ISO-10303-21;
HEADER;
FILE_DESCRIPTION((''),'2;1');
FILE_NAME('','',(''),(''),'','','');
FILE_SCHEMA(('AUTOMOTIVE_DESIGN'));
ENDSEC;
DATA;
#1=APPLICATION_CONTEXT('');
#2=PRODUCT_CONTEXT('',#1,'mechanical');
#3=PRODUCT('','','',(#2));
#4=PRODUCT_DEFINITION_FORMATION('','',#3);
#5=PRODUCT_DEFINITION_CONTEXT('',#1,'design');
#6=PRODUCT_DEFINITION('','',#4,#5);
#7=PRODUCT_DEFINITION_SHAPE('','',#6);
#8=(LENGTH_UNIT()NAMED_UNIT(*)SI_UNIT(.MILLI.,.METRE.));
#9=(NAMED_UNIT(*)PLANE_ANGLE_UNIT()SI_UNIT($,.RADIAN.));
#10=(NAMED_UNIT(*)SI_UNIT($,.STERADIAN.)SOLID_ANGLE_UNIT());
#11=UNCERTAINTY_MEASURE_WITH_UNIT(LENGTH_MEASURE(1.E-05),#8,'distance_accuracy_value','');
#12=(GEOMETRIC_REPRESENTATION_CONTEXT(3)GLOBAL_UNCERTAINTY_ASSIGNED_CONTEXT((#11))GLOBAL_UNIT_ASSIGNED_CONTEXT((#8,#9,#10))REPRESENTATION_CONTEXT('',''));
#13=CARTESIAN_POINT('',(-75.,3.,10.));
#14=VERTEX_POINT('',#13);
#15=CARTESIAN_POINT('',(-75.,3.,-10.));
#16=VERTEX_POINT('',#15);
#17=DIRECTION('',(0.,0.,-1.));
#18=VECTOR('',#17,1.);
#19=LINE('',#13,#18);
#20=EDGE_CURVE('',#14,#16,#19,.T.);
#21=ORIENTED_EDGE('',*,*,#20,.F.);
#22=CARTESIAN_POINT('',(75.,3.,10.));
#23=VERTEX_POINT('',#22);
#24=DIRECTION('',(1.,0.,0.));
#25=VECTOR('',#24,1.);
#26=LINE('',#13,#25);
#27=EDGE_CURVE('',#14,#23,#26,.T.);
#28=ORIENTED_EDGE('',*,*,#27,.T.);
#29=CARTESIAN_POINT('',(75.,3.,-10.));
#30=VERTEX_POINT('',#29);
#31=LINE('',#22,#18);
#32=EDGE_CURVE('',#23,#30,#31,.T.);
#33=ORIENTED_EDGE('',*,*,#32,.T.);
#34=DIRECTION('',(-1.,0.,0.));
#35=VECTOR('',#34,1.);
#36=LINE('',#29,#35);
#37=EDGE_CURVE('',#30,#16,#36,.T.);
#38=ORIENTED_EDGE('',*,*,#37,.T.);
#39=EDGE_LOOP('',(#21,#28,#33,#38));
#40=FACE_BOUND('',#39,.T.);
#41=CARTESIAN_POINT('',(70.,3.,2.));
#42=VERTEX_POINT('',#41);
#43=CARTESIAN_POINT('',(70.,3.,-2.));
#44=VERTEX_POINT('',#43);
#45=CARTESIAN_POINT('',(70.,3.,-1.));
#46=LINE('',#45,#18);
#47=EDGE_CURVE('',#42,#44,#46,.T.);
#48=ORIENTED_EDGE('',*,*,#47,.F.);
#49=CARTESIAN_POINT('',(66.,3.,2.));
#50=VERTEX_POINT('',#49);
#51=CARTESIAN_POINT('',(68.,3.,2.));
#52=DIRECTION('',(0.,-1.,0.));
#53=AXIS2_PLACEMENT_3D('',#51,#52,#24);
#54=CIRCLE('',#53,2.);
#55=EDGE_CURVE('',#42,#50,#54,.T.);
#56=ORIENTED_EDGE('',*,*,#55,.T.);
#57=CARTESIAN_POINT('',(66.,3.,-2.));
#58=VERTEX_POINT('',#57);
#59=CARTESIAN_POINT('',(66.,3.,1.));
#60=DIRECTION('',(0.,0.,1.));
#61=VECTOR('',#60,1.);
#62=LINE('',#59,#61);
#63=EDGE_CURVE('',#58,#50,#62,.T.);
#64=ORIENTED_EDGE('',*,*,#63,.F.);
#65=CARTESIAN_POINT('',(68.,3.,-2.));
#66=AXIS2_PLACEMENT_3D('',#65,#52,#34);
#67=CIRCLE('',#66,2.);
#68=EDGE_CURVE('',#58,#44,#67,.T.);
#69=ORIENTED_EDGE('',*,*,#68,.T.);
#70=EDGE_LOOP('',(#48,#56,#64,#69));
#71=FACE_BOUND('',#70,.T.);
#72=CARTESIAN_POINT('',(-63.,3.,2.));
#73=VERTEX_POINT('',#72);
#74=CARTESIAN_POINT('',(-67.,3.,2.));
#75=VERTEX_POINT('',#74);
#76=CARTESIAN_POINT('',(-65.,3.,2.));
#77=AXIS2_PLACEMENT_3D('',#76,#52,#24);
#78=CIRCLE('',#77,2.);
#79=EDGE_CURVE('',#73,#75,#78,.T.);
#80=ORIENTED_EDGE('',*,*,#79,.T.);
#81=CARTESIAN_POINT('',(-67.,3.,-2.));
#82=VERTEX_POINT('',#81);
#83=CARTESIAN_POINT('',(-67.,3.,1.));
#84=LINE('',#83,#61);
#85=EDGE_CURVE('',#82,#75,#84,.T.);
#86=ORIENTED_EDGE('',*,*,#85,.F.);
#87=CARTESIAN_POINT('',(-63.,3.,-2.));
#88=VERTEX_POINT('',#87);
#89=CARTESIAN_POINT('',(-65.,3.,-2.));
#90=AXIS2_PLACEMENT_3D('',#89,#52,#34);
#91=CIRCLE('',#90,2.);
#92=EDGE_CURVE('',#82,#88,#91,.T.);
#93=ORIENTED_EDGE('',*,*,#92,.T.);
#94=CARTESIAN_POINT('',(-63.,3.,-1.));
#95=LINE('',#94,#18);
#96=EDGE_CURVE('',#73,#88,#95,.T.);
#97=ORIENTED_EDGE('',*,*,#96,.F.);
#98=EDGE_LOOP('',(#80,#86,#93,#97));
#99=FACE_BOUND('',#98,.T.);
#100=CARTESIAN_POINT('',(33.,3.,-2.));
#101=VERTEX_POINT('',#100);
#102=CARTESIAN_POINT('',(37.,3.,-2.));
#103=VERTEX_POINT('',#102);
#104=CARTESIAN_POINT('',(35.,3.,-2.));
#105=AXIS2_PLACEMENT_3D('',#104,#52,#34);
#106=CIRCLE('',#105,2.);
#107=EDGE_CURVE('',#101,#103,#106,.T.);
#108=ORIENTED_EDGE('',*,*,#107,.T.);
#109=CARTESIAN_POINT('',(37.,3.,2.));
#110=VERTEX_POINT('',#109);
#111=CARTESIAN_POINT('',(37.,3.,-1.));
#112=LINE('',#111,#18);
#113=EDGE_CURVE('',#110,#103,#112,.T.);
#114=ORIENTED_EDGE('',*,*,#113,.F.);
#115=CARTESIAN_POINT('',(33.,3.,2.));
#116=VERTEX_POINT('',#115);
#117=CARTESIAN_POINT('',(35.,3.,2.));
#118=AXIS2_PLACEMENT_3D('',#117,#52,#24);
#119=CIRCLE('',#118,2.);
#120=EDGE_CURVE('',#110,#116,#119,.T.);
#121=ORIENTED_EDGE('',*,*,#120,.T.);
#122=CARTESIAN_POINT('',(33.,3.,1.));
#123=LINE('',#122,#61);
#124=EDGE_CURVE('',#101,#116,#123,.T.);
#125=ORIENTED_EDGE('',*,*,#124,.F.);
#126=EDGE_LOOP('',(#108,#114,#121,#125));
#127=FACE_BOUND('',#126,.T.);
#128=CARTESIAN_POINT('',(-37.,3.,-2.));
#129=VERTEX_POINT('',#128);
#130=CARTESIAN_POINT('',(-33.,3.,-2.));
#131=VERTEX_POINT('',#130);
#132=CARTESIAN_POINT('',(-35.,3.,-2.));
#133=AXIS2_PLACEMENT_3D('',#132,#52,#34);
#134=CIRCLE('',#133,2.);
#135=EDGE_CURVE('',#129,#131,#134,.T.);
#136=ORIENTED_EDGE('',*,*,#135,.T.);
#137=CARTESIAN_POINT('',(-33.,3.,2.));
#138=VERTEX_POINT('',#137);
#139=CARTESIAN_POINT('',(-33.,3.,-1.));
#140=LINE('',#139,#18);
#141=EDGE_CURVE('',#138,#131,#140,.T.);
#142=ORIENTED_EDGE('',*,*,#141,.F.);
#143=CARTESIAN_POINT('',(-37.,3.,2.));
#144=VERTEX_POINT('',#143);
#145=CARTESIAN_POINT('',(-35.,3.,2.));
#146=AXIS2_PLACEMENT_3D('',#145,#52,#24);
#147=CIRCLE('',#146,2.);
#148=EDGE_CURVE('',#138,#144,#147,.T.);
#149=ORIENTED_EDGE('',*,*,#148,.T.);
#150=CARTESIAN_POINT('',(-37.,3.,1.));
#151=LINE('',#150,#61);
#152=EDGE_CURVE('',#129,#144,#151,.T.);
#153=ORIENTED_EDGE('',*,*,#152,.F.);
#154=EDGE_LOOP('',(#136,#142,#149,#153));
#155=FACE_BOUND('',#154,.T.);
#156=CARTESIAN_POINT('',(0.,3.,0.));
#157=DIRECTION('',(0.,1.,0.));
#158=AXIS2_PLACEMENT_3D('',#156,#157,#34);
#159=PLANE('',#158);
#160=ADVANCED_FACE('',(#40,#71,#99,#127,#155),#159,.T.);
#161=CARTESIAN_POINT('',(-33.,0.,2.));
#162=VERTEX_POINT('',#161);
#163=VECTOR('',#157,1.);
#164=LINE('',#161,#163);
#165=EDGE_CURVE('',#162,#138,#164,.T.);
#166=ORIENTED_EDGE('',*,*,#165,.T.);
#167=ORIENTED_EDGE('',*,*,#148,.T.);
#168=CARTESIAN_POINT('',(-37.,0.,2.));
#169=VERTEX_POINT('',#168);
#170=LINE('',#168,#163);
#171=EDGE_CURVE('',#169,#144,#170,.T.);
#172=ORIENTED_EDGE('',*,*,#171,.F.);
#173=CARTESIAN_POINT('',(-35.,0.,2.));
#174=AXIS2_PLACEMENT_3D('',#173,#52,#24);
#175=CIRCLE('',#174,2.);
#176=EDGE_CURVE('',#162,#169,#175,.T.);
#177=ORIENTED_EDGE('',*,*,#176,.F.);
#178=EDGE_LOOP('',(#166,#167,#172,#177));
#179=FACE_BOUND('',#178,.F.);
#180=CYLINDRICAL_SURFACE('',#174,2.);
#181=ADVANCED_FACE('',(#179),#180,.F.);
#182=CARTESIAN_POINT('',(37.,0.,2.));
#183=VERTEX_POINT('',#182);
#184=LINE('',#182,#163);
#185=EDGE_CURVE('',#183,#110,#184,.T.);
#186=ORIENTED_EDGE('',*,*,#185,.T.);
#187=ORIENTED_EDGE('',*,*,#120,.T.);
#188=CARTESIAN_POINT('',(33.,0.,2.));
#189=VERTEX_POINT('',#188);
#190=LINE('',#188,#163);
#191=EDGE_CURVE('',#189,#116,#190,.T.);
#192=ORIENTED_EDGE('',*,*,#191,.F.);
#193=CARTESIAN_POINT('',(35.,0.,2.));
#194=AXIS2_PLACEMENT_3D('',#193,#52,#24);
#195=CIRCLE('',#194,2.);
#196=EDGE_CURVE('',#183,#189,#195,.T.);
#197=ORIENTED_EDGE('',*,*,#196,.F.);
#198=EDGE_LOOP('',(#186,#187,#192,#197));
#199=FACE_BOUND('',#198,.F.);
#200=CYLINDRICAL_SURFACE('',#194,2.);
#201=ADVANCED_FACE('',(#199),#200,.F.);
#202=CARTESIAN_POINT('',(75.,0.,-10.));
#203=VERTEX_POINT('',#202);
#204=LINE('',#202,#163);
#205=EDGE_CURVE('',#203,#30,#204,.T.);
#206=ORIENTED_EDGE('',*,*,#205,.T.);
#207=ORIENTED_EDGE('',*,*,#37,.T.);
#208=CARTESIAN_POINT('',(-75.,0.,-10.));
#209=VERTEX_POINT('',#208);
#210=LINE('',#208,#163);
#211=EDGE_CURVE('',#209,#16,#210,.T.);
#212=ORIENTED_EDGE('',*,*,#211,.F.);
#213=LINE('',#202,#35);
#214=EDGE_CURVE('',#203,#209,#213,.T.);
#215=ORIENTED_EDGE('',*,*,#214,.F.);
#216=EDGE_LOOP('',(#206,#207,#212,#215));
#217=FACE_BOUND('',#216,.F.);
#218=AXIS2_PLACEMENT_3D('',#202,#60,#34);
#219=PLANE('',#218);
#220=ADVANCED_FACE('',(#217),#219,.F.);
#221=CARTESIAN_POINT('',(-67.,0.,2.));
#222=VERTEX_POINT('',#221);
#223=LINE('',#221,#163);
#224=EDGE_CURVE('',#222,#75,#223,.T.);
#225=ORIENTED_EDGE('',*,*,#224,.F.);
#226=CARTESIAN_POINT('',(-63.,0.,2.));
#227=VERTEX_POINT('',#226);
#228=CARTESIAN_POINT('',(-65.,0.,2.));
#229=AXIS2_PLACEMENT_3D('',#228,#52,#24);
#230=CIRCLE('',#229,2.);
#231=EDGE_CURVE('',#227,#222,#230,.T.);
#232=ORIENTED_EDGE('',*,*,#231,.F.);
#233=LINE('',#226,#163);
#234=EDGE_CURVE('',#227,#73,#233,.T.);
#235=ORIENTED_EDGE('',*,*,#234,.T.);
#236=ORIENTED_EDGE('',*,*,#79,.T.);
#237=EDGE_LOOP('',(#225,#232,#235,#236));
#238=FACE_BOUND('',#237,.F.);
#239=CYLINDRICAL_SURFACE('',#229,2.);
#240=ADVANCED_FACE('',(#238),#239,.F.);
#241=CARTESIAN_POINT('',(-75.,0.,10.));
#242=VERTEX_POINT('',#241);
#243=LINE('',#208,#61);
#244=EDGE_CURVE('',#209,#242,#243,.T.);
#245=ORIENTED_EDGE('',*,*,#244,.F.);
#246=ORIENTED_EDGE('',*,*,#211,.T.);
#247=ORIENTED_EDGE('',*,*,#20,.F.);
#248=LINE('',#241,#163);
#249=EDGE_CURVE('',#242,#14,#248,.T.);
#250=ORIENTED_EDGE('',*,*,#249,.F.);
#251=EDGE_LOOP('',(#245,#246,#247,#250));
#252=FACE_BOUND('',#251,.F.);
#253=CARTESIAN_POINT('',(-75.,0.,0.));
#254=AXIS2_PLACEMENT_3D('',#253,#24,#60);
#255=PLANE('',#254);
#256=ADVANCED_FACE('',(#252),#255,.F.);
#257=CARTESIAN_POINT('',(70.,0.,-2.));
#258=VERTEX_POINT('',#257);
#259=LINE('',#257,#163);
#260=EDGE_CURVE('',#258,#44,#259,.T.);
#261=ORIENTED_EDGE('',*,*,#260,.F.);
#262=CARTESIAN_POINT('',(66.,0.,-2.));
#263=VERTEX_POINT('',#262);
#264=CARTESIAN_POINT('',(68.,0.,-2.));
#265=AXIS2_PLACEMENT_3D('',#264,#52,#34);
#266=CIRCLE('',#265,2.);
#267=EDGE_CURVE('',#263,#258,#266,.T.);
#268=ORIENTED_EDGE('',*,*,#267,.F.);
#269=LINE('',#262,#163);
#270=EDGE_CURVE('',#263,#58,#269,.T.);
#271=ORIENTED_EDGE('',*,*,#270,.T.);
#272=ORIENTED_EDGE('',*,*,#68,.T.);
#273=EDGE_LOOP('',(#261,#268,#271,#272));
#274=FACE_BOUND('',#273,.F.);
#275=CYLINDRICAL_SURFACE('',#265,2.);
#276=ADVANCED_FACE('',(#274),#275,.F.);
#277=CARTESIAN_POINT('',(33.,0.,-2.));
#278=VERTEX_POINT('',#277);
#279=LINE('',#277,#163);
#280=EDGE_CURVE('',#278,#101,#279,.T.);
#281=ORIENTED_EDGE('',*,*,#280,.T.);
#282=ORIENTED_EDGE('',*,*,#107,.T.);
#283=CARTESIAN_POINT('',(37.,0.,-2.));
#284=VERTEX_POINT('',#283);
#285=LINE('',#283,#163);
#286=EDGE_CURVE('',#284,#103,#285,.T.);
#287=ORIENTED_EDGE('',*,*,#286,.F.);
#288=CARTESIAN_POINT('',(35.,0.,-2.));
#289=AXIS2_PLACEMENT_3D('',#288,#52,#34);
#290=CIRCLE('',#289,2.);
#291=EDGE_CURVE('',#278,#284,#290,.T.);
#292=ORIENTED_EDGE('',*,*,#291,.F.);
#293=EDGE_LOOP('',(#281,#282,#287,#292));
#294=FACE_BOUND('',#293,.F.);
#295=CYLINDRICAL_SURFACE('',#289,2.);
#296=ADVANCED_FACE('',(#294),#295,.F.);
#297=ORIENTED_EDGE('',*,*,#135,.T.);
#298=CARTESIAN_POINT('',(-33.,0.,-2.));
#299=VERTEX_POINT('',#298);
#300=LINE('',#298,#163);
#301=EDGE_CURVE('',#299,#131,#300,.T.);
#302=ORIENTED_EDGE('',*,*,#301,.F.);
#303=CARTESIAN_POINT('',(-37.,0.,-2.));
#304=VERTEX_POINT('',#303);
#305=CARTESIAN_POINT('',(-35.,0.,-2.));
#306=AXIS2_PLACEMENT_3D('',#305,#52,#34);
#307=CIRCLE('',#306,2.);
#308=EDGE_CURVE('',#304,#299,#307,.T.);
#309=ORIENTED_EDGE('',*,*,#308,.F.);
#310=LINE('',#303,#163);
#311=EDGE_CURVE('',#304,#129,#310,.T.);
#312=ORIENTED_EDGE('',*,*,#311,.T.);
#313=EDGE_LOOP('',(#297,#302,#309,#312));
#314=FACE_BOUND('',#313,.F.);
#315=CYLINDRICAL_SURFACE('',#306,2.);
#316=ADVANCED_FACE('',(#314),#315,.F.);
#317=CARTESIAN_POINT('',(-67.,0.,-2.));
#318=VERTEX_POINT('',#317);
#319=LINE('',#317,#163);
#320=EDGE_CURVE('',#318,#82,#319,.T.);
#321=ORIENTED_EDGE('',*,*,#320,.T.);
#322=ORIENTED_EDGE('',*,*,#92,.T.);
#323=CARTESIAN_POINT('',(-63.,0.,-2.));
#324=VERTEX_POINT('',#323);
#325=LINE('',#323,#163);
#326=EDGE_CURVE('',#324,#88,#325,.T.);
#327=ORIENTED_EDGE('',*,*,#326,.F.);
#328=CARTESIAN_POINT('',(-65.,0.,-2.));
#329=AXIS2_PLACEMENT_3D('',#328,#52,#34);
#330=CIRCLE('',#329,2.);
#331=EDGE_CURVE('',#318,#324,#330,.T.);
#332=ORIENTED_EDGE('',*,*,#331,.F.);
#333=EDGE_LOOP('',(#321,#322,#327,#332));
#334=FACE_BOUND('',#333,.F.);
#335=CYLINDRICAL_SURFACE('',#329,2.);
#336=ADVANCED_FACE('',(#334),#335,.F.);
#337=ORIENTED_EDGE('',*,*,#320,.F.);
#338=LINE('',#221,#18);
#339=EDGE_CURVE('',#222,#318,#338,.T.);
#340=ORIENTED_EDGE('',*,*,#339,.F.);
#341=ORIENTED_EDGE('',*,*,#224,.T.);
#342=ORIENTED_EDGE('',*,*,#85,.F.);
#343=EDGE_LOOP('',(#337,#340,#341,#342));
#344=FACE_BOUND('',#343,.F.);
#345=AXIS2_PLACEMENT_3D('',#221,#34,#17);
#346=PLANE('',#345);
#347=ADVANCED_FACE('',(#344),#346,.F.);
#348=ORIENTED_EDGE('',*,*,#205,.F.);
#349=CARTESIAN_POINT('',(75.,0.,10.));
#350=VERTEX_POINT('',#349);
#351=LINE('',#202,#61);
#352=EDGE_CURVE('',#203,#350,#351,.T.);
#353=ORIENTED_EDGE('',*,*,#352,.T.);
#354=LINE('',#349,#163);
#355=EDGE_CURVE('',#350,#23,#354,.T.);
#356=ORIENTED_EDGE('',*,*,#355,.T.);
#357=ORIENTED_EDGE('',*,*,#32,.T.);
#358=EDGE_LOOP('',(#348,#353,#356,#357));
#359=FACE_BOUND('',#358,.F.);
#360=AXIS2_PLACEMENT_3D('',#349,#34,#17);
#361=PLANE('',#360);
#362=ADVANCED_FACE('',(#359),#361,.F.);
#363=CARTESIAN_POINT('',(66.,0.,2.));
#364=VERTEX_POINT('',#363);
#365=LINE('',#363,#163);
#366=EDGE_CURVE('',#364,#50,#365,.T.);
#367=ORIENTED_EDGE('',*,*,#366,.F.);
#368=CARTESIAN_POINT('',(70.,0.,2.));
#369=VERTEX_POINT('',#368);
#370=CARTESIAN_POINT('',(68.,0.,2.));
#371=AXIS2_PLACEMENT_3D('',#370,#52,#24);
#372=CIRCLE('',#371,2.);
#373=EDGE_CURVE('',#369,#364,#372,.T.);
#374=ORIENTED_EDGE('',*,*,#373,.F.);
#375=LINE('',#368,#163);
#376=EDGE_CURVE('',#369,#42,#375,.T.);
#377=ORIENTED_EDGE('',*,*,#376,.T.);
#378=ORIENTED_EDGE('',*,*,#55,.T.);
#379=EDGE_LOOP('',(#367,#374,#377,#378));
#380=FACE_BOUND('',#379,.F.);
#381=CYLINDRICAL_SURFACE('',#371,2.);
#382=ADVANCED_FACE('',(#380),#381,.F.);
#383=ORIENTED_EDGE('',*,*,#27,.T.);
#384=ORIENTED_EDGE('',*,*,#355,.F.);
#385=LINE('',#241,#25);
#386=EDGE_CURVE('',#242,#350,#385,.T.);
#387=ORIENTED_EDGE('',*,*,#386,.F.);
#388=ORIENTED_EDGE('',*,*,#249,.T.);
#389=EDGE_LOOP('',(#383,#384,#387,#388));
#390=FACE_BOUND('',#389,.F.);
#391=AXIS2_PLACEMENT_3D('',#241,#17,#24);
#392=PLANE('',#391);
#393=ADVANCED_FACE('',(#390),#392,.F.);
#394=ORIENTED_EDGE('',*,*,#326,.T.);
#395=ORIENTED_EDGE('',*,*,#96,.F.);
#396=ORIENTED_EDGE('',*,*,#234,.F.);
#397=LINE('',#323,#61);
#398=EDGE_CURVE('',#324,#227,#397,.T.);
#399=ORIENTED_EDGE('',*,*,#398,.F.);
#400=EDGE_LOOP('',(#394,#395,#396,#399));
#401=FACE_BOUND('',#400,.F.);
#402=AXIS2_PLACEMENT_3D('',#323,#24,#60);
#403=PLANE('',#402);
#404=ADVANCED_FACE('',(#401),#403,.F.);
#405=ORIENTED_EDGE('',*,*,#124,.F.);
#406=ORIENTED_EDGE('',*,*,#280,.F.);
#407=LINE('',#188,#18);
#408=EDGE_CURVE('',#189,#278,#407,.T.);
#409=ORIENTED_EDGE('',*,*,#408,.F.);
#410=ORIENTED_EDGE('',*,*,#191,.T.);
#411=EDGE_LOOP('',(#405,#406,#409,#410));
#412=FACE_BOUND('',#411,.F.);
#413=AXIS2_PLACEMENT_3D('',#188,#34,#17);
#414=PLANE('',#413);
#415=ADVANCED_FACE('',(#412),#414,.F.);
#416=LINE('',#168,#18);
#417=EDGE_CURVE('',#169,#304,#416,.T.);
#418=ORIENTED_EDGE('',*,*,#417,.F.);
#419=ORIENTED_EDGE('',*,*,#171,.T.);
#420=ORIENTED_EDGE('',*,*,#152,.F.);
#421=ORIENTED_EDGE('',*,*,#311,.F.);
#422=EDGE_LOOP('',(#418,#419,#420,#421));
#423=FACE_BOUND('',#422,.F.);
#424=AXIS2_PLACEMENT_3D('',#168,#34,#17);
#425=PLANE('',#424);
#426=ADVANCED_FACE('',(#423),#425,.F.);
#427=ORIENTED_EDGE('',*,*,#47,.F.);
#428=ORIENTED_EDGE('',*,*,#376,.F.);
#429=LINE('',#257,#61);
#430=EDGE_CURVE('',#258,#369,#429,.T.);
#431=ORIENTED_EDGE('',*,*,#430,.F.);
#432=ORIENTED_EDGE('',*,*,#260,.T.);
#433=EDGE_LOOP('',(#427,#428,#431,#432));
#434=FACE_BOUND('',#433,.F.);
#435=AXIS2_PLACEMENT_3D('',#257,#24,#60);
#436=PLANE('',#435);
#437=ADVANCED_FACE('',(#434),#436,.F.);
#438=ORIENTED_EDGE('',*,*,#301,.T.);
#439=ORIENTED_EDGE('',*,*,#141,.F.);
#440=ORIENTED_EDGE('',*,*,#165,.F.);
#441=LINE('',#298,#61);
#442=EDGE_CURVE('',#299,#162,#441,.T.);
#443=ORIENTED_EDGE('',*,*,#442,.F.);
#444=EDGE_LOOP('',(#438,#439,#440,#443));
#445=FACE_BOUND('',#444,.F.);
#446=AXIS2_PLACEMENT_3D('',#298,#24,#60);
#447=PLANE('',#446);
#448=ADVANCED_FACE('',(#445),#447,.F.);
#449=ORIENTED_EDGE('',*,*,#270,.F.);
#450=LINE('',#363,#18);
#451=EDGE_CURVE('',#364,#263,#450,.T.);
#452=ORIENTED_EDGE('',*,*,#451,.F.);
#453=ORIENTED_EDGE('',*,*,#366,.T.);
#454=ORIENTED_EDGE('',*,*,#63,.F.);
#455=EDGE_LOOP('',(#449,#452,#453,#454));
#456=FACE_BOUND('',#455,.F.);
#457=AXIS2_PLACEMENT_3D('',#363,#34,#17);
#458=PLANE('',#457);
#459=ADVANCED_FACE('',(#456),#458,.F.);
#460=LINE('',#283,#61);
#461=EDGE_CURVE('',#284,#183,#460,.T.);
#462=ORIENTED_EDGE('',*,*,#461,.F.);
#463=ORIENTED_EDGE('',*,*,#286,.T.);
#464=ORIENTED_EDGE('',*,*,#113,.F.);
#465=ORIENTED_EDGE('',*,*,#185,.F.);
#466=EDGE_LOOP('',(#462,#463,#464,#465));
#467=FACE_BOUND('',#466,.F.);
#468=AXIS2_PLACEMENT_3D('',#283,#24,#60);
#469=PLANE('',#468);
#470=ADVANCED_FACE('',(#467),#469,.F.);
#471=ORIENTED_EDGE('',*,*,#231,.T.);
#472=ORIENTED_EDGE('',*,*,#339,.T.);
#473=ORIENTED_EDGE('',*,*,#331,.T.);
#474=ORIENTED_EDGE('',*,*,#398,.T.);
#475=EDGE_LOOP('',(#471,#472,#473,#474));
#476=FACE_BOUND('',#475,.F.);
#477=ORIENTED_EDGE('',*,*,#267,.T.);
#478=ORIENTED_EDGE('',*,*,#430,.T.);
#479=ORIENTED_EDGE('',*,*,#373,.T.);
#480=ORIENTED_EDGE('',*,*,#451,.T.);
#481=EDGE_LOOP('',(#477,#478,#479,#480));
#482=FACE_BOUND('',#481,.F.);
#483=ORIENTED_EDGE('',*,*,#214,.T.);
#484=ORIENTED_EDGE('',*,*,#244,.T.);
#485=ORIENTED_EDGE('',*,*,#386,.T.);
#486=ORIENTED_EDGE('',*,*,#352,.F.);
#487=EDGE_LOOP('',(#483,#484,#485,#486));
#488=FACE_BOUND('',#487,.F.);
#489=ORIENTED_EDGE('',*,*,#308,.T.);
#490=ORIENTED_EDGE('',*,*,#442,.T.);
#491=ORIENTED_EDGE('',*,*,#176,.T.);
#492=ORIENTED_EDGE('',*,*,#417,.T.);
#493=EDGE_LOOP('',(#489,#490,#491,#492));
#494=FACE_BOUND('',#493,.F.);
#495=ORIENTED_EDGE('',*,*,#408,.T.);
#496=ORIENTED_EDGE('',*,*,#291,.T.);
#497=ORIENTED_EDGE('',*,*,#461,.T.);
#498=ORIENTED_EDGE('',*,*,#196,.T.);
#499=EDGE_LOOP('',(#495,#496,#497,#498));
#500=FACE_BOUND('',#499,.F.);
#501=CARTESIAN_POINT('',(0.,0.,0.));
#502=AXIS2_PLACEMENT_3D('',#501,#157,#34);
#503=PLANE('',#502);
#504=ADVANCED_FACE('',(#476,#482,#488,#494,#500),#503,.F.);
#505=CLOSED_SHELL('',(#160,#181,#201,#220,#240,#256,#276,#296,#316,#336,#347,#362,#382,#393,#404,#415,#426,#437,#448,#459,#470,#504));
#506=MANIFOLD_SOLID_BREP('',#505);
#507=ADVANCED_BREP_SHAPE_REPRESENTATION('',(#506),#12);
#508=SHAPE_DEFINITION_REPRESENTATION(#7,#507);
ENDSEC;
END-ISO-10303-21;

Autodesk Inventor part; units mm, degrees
ref_plane "YZ Plane" through (0, 0, 0) normal (1, 0, 0) x (0, 1, 0)
ref_plane "XZ Plane" through (0, 0, 0) normal (0, 1, 0) x (-1, 0, 0)
ref_plane "XY Plane" through (0, 0, 0) normal (0, 0, 1) x (1, 0, 0)
sketch "스케치1" plane through (0, 0, 0) normal (0, 1, 0) x (-1, 0, 0)
  line L0 (75, 10) -> (-75, 10)
  line L1 (-75, 10) -> (-75, -10)
  line L2 (-75, -10) -> (75, -10)
  line L3 (75, -10) -> (75, 10)
  line L4 (75, 10) -> (-75, -10) construction
  line L5 (-75, 10) -> (75, -10) construction
  circle A0 centre (35, 0) radius 2.25
  line L6 (105, 0) -> (-105, 0) projected
  circle A1 centre (-35, 0) radius 2.25
  point P0 (0, 0)
  point P1 (-75, 0)
  dimension "d0" = 150
  dimension "d1" = 20
  dimension "d4" = 4.5
  dimension "d5" = 40
  dimension "d6" = 4.5
  dimension "d7" = 40
extrude "돌출1" add sketch "스케치1" along normal blind 3
sketch "스케치4" plane through (0, 0, 0) normal (0, -1, 0) x (1, 0, 0)
  line L0 (-35, -2) -> (-35, 2) construction
  line L1 (-33, -2) -> (-33, 2)
  line L2 (-37, 2) -> (-37, -2)
  arc A0 (-37, -2) -> (-33, -2) centre (-35, -2) ccw
  arc A1 (-33, 2) -> (-37, 2) centre (-35, 2) ccw
  line L3 (35, -2) -> (35, 2) construction
  line L4 (37, -2) -> (37, 2)
  line L5 (33, 2) -> (33, -2)
  arc A2 (33, -2) -> (37, -2) centre (35, -2) ccw
  arc A3 (37, 2) -> (33, 2) centre (35, 2) ccw
  line L6 (-75, 10) -> (75, 10) projected
  line L7 (75, 10) -> (75, -10) projected
  line L8 (-75, -10) -> (-75, 10) projected
  line L9 (75, -10) -> (-75, -10) projected
  line L10 (68, 2) -> (68, -2) construction
  line L11 (66, 2) -> (66, -2)
  line L12 (70, -2) -> (70, 2)
  arc A4 (70, 2) -> (66, 2) centre (68, 2) ccw
  arc A5 (66, -2) -> (70, -2) centre (68, -2) ccw
  line L13 (-65, -2) -> (-65, 2) construction
  line L14 (-63, -2) -> (-63, 2)
  line L15 (-67, 2) -> (-67, -2)
  arc A6 (-67, -2) -> (-63, -2) centre (-65, -2) ccw
  arc A7 (-63, 2) -> (-67, 2) centre (-65, 2) ccw
  point P0 (-35, 0)
  point P1 (35, 0)
  point P2 (68, 0)
  point P3 (-65, 0)
  point P4 (75, 0)
  point P5 (75, 0)
  point P6 (-75, 0)
  point P7 (-75, 0)
  dimension "d14" = 4
  dimension "d15" = 4
  dimension "d16" = 4
  dimension "d17" = 4
  dimension "d18" = 10
  dimension "d19" = 40
  dimension "d20" = 10
  dimension "d21" = 40
  dimension "d28" = 4
  dimension "d29" = 4
  dimension "d30" = 4
  dimension "d31" = 4
  dimension "d32" = 0
  dimension "d33" = 7
  dimension "d34" = 0
  dimension "d35" = 10
extrude "돌출3" cut sketch "스케치4" against normal blind 10 contours A0 L2 A1 L1 | A2 L5 A3 L4 | A4 L12 A5 L11 | A6 L15 A7 L14
properties part number "발받침대위,아래"
